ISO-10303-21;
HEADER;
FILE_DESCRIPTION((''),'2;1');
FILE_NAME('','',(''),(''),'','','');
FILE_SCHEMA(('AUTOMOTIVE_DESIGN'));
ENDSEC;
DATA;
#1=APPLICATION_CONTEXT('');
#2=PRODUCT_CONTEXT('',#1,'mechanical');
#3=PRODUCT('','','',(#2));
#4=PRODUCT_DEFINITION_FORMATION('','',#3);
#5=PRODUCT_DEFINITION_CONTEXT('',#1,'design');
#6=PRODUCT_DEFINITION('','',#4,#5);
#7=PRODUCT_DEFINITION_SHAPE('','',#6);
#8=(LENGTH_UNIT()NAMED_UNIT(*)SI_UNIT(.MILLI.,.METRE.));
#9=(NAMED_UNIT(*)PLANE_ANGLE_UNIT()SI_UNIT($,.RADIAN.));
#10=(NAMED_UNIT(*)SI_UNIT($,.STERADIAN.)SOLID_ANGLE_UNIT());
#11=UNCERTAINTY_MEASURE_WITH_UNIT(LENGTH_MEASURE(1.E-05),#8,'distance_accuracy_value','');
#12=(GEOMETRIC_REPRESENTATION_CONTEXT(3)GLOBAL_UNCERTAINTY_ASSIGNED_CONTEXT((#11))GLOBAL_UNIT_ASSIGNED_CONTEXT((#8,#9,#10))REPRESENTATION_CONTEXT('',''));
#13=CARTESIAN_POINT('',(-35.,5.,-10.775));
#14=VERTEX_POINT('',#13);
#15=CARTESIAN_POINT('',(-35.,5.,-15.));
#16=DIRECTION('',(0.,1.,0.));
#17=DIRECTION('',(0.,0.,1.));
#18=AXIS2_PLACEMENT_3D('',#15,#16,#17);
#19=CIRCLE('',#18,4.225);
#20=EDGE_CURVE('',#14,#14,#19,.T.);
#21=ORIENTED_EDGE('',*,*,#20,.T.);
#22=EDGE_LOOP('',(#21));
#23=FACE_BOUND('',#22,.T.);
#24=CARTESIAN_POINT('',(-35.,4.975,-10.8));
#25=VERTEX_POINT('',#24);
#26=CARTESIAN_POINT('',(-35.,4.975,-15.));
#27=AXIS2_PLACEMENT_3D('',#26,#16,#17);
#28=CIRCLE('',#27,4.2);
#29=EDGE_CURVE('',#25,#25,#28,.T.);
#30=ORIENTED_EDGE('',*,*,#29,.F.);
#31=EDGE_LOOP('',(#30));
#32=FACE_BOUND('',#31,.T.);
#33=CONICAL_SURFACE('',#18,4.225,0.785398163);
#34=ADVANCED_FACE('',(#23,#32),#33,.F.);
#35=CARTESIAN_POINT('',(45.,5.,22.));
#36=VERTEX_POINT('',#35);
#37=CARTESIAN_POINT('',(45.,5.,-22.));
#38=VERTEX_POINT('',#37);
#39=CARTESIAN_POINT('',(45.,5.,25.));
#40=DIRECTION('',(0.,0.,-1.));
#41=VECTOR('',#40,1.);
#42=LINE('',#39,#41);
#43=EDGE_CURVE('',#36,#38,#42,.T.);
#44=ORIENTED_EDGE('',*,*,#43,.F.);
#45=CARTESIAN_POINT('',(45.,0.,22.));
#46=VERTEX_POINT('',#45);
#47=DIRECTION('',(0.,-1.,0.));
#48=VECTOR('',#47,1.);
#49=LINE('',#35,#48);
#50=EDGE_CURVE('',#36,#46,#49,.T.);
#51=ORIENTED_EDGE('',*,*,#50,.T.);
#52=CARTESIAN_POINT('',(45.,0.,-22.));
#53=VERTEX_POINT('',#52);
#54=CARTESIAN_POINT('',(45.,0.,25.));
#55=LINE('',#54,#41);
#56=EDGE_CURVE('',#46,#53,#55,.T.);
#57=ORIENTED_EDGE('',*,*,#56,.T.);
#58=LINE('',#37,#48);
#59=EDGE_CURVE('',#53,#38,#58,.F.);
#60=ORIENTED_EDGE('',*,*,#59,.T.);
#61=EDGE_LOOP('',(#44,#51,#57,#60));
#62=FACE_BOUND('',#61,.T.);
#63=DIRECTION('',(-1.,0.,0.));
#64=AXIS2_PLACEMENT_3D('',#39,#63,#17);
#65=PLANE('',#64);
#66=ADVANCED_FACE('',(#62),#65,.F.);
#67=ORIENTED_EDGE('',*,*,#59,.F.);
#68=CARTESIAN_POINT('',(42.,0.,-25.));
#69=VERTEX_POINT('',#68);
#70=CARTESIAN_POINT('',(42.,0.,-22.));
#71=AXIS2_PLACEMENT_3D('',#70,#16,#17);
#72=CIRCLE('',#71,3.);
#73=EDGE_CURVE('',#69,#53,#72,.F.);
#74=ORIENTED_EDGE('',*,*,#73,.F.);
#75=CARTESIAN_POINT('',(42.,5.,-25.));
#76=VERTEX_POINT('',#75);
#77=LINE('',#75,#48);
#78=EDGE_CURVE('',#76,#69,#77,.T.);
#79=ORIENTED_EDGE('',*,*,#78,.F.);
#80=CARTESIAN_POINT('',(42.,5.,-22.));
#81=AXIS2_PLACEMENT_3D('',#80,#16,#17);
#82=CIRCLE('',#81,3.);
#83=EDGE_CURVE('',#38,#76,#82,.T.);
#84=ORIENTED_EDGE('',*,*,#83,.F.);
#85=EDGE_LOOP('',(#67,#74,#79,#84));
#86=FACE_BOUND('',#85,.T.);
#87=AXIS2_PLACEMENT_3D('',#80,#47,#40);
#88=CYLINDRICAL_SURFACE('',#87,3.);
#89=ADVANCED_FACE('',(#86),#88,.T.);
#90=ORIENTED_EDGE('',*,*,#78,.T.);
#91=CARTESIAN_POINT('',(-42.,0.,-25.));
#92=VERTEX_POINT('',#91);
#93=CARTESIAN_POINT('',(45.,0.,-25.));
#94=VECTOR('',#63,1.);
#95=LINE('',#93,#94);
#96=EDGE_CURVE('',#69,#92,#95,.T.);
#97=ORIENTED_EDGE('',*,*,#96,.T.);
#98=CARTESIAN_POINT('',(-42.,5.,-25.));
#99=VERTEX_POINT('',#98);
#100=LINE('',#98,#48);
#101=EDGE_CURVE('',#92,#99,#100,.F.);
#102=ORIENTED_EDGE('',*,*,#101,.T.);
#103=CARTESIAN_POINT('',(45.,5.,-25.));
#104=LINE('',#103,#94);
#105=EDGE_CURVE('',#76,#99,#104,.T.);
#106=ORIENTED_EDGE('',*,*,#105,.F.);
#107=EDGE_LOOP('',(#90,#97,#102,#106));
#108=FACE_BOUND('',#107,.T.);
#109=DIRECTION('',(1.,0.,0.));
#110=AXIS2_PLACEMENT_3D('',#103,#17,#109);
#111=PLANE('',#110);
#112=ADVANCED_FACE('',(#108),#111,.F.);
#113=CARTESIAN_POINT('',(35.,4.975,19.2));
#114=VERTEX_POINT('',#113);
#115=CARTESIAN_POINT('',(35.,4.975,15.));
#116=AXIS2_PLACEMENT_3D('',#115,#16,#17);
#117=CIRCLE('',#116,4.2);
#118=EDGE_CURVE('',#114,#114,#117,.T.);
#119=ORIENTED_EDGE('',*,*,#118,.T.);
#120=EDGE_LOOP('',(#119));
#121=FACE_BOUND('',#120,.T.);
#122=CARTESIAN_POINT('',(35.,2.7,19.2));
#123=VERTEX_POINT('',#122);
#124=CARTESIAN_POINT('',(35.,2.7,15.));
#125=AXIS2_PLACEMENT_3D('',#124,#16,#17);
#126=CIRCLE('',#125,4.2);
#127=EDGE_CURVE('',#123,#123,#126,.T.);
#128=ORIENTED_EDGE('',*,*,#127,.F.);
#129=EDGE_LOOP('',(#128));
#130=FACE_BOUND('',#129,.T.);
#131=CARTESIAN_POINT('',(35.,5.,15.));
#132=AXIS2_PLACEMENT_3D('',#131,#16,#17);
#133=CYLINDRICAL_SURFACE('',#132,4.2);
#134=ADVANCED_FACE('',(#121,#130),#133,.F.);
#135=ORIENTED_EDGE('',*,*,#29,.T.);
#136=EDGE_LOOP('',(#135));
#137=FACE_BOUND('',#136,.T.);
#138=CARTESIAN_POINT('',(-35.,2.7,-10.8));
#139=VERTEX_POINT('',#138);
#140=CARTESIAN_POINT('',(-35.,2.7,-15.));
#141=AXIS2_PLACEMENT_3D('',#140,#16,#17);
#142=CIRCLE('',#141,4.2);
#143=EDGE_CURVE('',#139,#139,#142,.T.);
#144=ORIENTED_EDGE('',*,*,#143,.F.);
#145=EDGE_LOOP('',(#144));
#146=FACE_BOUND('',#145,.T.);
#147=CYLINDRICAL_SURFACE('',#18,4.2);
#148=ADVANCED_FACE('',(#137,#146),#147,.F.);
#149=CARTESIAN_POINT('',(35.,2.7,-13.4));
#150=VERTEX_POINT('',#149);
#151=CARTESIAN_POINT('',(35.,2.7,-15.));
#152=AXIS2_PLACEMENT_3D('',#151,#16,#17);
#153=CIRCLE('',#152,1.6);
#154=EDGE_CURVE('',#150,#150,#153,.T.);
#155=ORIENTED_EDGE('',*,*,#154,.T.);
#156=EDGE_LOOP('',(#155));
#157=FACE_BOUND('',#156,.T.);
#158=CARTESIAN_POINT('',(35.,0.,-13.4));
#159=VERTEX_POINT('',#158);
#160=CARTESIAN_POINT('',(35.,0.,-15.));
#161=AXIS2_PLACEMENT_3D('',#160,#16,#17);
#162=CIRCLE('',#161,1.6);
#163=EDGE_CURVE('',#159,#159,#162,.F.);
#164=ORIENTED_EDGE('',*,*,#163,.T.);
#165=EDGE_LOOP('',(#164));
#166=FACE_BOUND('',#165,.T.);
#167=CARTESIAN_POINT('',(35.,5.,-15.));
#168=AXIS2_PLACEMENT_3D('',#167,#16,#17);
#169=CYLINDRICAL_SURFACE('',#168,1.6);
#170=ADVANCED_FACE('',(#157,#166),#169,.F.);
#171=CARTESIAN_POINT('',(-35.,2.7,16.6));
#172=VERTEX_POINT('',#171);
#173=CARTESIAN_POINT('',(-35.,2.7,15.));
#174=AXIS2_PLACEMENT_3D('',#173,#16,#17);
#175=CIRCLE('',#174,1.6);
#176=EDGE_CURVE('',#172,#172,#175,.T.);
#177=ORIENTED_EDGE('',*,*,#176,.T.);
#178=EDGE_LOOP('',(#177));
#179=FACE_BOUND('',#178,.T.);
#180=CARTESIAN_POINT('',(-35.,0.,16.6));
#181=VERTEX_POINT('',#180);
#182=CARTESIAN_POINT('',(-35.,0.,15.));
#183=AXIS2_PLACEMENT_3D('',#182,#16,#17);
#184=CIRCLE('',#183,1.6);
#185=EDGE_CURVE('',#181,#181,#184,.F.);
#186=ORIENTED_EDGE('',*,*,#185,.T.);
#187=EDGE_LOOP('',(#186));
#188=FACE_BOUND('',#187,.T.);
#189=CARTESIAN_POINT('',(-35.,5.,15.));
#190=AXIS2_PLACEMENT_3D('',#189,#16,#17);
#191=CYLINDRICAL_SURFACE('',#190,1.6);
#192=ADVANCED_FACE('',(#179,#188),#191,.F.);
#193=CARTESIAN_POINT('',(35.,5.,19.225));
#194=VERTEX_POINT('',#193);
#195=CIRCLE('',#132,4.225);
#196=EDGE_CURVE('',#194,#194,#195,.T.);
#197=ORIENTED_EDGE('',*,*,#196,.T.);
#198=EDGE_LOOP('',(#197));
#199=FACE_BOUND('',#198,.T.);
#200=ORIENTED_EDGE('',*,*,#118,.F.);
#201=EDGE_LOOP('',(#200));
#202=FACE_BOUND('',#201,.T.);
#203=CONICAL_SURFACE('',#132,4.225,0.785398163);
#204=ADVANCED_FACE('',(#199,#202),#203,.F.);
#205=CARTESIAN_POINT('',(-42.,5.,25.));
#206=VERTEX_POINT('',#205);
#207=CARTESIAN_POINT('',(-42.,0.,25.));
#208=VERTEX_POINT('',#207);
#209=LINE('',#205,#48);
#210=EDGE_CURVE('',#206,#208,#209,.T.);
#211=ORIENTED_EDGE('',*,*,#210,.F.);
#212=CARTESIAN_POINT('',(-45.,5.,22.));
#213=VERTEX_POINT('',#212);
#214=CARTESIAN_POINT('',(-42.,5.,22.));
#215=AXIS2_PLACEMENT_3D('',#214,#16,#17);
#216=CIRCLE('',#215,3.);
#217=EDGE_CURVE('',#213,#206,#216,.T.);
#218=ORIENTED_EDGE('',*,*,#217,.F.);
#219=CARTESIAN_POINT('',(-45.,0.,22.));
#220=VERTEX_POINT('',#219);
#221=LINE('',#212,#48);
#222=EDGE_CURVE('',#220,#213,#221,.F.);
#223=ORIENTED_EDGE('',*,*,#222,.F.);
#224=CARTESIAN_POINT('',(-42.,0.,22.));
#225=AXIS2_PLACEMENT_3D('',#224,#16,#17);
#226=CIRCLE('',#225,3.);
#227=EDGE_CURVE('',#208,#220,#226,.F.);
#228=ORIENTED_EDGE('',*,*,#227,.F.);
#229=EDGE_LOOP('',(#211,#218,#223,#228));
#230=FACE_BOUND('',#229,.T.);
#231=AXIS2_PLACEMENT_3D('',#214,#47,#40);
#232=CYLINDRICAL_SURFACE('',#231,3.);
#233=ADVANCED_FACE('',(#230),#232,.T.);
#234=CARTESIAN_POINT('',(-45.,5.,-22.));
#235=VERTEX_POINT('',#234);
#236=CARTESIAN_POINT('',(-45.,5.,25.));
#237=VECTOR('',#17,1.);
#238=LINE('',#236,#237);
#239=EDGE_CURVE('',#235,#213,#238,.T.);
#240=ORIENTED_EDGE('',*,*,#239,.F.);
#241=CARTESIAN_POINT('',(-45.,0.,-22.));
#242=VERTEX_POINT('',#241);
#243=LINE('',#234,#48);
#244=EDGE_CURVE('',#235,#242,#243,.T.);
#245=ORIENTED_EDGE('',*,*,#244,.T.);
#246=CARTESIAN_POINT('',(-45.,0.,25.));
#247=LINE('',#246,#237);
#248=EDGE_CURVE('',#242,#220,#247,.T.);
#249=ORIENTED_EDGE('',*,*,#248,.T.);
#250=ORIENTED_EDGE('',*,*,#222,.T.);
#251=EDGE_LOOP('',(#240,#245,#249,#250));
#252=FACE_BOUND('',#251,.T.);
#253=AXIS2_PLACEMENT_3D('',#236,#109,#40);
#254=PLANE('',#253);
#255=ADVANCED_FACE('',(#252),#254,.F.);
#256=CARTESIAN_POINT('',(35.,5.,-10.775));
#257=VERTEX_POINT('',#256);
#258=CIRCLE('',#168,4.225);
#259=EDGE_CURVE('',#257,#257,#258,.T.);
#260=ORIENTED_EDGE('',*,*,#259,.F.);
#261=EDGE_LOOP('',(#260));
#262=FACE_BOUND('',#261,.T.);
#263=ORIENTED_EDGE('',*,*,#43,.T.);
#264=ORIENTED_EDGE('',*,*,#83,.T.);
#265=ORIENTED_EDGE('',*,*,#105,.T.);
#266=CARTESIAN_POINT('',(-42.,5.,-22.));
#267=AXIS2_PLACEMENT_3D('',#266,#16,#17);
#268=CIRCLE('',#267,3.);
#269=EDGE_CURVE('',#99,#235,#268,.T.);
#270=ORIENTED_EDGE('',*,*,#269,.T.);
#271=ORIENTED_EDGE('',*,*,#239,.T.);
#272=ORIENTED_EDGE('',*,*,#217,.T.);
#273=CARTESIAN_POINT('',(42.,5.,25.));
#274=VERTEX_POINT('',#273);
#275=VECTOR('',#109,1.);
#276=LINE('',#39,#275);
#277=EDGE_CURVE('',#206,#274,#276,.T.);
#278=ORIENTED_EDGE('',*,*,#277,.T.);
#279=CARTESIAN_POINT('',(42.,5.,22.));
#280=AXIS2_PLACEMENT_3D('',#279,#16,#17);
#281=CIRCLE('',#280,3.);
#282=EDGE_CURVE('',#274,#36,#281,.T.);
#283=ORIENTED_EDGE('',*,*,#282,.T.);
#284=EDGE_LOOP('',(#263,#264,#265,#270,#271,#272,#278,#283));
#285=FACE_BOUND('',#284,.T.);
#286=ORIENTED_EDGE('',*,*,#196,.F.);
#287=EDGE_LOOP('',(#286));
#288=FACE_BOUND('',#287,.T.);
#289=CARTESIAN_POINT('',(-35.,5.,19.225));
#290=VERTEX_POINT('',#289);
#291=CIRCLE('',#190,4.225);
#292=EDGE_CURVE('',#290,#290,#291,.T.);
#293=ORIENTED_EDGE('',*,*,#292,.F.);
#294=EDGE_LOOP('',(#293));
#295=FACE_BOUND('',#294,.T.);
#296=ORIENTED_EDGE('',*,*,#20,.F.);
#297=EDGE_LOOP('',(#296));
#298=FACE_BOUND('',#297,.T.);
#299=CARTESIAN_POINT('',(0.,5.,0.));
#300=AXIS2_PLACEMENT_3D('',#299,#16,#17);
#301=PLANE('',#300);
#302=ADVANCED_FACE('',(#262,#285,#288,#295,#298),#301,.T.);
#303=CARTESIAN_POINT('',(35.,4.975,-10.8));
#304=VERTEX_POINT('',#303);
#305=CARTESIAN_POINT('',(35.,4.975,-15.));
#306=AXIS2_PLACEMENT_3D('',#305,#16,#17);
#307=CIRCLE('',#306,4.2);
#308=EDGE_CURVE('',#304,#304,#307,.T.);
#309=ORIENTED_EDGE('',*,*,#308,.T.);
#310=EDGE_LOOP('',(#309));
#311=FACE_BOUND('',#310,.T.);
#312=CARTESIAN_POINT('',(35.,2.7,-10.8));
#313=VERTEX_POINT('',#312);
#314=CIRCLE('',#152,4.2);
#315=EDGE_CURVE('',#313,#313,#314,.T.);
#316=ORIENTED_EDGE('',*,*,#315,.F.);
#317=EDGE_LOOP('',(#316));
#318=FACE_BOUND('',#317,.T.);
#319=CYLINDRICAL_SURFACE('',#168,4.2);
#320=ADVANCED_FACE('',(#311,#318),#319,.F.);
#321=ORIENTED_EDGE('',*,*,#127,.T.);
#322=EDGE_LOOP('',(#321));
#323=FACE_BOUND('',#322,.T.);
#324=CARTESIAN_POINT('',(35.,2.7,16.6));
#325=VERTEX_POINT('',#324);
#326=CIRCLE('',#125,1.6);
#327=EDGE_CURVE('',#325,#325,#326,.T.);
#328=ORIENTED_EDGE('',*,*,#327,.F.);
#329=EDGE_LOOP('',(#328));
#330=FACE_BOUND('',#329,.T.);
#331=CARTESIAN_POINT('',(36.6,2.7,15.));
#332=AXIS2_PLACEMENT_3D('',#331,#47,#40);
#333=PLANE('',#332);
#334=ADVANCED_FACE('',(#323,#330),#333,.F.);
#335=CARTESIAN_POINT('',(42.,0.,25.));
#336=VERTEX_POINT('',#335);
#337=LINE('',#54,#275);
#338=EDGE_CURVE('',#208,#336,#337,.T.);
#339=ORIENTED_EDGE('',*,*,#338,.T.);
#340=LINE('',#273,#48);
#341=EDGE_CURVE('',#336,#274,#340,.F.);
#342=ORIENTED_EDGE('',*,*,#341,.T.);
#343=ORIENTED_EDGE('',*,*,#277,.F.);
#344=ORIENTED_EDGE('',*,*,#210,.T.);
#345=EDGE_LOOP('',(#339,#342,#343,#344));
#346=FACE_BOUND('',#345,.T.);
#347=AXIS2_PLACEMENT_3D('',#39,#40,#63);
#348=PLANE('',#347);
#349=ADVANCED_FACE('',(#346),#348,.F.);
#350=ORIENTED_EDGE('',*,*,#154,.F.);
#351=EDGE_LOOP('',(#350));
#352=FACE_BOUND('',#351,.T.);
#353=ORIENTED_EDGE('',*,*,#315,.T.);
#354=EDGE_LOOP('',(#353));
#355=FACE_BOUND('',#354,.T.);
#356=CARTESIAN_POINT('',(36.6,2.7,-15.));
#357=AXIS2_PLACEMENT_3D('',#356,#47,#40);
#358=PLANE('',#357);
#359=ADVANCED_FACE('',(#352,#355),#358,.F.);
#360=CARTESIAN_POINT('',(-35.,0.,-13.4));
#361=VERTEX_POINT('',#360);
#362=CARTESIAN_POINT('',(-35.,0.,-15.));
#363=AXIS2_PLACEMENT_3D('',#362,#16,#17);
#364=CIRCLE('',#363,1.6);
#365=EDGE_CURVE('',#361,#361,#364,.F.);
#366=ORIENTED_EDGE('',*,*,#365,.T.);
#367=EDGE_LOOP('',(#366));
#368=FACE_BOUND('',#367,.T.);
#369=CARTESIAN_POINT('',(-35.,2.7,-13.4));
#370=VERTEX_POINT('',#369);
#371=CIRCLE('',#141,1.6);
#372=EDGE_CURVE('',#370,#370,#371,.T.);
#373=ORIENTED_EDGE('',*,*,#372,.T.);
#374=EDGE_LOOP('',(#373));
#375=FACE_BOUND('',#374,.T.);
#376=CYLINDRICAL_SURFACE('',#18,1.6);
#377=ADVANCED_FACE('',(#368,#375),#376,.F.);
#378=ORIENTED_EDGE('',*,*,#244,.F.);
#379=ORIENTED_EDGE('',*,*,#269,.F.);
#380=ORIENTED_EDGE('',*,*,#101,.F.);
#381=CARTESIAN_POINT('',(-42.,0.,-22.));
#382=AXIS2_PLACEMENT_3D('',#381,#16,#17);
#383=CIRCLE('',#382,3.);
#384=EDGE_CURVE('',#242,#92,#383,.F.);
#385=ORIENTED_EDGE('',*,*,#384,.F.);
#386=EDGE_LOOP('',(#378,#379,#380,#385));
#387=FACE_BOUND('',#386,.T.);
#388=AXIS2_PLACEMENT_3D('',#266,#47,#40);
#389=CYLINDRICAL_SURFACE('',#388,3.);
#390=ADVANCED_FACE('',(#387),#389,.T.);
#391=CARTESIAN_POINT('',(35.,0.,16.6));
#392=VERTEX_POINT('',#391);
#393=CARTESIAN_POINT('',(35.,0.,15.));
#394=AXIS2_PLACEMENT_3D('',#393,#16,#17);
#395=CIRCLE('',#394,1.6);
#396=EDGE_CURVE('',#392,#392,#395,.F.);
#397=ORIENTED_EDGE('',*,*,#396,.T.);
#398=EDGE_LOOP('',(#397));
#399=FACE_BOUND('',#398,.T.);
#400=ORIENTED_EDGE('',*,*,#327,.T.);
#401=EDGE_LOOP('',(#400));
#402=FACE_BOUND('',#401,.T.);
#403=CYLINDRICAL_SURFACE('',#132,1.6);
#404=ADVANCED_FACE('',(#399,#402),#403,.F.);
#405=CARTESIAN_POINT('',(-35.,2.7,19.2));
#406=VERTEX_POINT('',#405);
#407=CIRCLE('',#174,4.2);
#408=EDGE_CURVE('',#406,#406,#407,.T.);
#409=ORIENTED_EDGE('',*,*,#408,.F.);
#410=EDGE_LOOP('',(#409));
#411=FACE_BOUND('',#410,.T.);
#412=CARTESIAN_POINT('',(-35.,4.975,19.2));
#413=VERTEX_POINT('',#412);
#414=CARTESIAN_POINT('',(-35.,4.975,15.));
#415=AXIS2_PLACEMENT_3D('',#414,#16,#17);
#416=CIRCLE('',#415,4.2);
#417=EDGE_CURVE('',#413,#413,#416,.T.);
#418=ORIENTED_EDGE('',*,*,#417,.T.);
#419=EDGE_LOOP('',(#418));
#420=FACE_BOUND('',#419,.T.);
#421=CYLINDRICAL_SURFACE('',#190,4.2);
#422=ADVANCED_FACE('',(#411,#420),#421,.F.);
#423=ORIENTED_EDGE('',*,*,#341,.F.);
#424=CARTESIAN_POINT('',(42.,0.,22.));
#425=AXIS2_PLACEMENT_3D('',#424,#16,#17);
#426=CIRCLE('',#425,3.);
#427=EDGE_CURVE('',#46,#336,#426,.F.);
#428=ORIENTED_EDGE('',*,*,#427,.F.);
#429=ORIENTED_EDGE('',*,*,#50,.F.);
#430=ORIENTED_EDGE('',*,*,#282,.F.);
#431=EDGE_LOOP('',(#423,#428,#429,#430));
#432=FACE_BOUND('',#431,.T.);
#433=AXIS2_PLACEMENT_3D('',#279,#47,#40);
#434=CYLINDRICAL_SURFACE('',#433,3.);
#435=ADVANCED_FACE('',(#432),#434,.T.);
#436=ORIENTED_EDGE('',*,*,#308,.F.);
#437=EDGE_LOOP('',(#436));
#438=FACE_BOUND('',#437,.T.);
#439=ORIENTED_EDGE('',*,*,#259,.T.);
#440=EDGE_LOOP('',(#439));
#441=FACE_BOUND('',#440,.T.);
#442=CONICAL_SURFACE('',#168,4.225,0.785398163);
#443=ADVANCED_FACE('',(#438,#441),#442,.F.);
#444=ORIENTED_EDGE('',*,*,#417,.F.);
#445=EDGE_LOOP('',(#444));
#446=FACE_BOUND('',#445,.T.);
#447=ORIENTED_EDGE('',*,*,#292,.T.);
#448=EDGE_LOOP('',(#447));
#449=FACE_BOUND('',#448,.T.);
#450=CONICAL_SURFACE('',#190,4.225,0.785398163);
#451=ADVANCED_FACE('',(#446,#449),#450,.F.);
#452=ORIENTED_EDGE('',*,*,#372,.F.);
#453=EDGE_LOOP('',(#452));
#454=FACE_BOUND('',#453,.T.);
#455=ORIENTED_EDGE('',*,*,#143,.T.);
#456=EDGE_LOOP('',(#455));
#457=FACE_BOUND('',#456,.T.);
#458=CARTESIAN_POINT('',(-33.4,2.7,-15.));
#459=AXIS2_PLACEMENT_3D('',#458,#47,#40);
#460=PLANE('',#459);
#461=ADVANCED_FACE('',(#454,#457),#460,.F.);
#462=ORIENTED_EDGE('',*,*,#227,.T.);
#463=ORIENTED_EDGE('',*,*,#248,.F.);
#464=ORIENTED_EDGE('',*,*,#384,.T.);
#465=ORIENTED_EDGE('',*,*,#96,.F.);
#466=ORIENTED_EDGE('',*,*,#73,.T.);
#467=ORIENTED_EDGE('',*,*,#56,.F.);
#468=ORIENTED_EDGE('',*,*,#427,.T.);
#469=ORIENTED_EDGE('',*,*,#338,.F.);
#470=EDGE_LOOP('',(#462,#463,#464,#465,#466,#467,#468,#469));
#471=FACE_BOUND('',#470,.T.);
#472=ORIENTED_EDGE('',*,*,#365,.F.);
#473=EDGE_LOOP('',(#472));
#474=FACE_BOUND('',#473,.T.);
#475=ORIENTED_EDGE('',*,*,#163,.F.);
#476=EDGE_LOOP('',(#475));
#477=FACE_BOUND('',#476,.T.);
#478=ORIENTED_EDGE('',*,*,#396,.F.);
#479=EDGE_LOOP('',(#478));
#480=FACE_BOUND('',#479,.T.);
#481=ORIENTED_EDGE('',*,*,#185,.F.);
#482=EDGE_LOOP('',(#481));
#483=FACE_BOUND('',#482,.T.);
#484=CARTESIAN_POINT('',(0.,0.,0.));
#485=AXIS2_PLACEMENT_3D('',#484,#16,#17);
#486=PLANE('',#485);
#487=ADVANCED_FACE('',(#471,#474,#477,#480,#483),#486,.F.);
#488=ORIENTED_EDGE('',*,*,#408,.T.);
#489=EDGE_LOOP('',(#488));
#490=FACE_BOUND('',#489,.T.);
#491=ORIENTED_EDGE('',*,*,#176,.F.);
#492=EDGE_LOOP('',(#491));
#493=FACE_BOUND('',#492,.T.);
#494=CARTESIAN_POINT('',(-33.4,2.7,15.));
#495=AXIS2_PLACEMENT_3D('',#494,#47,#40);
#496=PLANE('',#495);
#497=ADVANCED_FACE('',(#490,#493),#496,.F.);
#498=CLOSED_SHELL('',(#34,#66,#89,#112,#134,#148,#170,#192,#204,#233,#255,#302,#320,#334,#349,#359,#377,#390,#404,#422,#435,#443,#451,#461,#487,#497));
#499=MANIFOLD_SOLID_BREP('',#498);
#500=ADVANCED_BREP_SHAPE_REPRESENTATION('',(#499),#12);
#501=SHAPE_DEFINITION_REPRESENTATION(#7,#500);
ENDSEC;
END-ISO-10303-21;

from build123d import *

# Parameters (mm, degrees)
SKETCH1_W                                     = 90
SKETCH1_H                                     = 50
BOSS_EXTRUDE2_DEPTH                           = 5
FILLET1_R                                     = 3
CBORE_FOR_M3_HEX_HEAD_MACHINE_SCREW1_AT_COUNT = 2
CBORE_FOR_M3_HEX_HEAD_MACHINE_SCREW1_AT_PITCH = 30
CBORE_FOR_M3_HEX_HEAD_MACHINE_SCREW1_2_COUNT  = 2
CBORE_FOR_M3_HEX_HEAD_MACHINE_SCREW1_2_PITCH  = 76.157731059
CBORE_FOR_M3_HEX_HEAD_MACHINE_SCREW1_3_COUNT  = 2
CBORE_FOR_M3_HEX_HEAD_MACHINE_SCREW1_3_PITCH  = 70


with BuildPart() as part:
    # Sketch1 → Boss-Extrude2 (new body)
    with BuildSketch(Plane(origin=(0, 0, 0), x_dir=(1, 0, 0), z_dir=(0, 1, 0))):
        Rectangle(SKETCH1_W, SKETCH1_H)
    extrude(amount=BOSS_EXTRUDE2_DEPTH)

    # Fillet1
    fillet1_edges = [part.edges().sort_by_distance(p)[0] for p in [
        (-45, 2.5, -25),
        (45, 2.5, -25),
        (45, 2.5, 25),
        (-45, 2.5, 25),
    ]]
    fillet(fillet1_edges, radius=FILLET1_R)

    # Sketch6 → CBORE for M3 Hex Head Machine Screw1 (revolve, cut)
    with BuildSketch(Plane(origin=(-35, 5, -15), x_dir=(0, 0, 1), z_dir=(1, 0, 0))):
        Polygon((0, 0), (0, 5.96137699), (1.6, 5), (1.6, 2.3), (4.2, 2.3), (4.2, 0.025), (4.225, 0), align=None)
    cbore_for_m3_hex_head_machine_screw1 = revolve(axis=Axis((-35, 11.35, -15), (0, -1, 0)), mode=Mode.SUBTRACT)

    # CBORE for M3 Hex Head Machine Screw1 at: CBORE for M3 Hex Head Machine Screw1 ×2
    with Locations(*[(0, 0, i * CBORE_FOR_M3_HEX_HEAD_MACHINE_SCREW1_AT_PITCH) for i in range(1, CBORE_FOR_M3_HEX_HEAD_MACHINE_SCREW1_AT_COUNT)]):
        add(cbore_for_m3_hex_head_machine_screw1, mode=Mode.SUBTRACT)

    # CBORE for M3 Hex Head Machine Screw1 2: CBORE for M3 Hex Head Machine Screw1 ×2
    with Locations(*[Vector(0.9191450300180579, 0, 0.3939192985791677) * (i * CBORE_FOR_M3_HEX_HEAD_MACHINE_SCREW1_2_PITCH) for i in range(1, CBORE_FOR_M3_HEX_HEAD_MACHINE_SCREW1_2_COUNT)]):
        add(cbore_for_m3_hex_head_machine_screw1, mode=Mode.SUBTRACT)

    # CBORE for M3 Hex Head Machine Screw1 3: CBORE for M3 Hex Head Machine Screw1 ×2
    with Locations(*[(i * CBORE_FOR_M3_HEX_HEAD_MACHINE_SCREW1_3_PITCH, 0, 0) for i in range(1, CBORE_FOR_M3_HEX_HEAD_MACHINE_SCREW1_3_COUNT)]):
        add(cbore_for_m3_hex_head_machine_screw1, mode=Mode.SUBTRACT)


solid = part.part
